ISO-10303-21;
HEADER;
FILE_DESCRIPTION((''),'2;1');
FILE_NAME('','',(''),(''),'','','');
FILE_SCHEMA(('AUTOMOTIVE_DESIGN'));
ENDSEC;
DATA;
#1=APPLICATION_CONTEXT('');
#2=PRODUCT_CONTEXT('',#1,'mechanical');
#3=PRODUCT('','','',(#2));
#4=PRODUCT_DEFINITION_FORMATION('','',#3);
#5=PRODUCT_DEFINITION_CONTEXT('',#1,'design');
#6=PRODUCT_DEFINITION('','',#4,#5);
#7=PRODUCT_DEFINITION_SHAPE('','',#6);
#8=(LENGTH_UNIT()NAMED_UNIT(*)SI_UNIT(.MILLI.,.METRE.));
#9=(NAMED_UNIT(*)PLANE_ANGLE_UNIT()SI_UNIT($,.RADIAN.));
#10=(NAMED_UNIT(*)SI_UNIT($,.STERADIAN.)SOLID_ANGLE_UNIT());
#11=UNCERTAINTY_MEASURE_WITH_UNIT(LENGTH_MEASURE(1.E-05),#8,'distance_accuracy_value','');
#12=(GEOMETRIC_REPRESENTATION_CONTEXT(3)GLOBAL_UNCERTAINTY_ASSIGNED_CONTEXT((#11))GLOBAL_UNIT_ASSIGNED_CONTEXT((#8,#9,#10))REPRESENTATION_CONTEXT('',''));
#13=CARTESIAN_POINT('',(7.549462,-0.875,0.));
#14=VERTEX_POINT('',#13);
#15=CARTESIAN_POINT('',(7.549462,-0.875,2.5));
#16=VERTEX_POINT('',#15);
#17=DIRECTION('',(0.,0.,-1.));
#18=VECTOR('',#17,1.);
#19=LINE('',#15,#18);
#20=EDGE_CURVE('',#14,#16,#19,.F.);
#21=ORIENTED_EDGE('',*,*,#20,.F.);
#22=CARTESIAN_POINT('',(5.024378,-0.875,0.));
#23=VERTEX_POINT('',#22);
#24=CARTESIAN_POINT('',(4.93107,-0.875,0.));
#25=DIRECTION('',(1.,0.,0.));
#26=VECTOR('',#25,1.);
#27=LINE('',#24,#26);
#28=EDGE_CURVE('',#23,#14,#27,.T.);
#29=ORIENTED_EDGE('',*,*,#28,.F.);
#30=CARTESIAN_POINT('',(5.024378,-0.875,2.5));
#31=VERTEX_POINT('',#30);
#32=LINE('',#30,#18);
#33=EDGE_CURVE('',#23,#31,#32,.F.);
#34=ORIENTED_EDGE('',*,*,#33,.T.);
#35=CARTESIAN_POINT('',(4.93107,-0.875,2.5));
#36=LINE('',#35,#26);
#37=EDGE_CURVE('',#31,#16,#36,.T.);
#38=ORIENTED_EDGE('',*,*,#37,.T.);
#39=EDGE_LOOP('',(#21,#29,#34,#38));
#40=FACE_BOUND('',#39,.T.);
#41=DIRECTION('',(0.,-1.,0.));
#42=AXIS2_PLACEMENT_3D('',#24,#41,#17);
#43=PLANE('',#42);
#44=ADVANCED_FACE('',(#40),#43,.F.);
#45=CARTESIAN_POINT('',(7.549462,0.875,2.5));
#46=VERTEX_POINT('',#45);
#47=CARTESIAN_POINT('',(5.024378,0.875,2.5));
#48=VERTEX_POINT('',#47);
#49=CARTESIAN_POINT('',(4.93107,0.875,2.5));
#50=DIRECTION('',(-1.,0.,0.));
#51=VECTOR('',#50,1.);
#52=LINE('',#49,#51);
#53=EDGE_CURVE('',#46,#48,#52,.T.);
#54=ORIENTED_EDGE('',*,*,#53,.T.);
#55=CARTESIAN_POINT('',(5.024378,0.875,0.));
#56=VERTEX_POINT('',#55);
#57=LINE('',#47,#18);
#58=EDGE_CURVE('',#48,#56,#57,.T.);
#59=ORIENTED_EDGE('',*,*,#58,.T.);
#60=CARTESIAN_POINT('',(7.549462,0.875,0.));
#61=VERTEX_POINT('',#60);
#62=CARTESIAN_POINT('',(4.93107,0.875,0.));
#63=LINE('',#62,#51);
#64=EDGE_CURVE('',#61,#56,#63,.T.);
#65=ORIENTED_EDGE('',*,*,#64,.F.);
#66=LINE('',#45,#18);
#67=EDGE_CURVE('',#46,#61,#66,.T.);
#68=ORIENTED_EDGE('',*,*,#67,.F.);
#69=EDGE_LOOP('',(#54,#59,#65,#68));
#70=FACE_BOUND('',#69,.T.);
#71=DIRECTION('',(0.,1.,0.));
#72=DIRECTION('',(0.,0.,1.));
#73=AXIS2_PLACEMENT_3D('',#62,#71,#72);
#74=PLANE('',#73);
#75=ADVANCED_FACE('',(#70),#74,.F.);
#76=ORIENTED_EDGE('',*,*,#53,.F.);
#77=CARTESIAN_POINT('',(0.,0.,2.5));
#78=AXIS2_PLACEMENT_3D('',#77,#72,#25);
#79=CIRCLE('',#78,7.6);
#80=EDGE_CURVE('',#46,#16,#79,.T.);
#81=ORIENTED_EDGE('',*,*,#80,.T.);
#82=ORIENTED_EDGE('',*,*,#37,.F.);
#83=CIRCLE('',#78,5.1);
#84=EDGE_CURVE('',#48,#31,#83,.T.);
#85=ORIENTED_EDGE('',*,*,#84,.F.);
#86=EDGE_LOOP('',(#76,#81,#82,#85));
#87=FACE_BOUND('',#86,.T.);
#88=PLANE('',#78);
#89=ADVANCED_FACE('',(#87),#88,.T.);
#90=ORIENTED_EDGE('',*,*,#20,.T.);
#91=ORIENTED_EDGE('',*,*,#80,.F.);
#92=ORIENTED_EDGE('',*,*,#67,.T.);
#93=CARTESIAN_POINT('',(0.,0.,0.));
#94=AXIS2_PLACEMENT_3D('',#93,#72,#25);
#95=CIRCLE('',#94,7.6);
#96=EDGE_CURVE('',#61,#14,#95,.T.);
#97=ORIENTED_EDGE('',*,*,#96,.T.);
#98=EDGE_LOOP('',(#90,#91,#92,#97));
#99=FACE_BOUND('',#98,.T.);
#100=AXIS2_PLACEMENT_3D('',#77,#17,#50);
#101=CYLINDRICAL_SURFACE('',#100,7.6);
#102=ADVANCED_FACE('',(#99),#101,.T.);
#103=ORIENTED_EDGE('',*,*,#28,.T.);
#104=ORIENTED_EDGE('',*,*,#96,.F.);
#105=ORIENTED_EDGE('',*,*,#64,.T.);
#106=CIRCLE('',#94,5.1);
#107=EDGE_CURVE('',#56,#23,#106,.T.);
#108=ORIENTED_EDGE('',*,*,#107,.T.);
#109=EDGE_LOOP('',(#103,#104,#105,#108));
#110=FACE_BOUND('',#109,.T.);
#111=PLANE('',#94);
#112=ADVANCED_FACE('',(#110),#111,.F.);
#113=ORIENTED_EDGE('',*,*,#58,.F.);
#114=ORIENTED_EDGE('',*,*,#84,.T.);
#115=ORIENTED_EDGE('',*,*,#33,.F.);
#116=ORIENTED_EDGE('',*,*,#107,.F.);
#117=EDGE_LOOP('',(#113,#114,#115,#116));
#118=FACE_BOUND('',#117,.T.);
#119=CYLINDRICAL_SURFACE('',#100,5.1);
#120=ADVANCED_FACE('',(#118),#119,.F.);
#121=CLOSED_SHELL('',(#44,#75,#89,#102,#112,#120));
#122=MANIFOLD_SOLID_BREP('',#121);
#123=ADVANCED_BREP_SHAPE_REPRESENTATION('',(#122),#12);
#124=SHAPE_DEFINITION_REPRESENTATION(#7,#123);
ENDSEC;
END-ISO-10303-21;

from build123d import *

# Parameters (mm, degrees)
SKETCH_1_R          = 7.6
SKETCH_1_R_2        = 5.1
EXTRUDE_1_DEPTH     = 2.5
SKETCH_2_W          = 2.905503913
SKETCH_2_H          = 1.75
CUT_EXTRUDE_1_DEPTH = 12.034944495


with BuildPart() as part:
    # Эскиз1 → Вытянуть1 (new body)
    with BuildSketch(Plane.XY):
        Circle(SKETCH_1_R)
        Circle(SKETCH_1_R_2, mode=Mode.SUBTRACT)
    extrude(amount=EXTRUDE_1_DEPTH)

    # Эскиз2 → Вырез-Вытянуть1 (cut, through all)
    with BuildSketch(Plane.XY.offset(2.5)):
        with Locations((6.383821586, 0)):
            Rectangle(SKETCH_2_W, SKETCH_2_H)
    extrude(amount=-CUT_EXTRUDE_1_DEPTH, mode=Mode.SUBTRACT)


solid = part.part
